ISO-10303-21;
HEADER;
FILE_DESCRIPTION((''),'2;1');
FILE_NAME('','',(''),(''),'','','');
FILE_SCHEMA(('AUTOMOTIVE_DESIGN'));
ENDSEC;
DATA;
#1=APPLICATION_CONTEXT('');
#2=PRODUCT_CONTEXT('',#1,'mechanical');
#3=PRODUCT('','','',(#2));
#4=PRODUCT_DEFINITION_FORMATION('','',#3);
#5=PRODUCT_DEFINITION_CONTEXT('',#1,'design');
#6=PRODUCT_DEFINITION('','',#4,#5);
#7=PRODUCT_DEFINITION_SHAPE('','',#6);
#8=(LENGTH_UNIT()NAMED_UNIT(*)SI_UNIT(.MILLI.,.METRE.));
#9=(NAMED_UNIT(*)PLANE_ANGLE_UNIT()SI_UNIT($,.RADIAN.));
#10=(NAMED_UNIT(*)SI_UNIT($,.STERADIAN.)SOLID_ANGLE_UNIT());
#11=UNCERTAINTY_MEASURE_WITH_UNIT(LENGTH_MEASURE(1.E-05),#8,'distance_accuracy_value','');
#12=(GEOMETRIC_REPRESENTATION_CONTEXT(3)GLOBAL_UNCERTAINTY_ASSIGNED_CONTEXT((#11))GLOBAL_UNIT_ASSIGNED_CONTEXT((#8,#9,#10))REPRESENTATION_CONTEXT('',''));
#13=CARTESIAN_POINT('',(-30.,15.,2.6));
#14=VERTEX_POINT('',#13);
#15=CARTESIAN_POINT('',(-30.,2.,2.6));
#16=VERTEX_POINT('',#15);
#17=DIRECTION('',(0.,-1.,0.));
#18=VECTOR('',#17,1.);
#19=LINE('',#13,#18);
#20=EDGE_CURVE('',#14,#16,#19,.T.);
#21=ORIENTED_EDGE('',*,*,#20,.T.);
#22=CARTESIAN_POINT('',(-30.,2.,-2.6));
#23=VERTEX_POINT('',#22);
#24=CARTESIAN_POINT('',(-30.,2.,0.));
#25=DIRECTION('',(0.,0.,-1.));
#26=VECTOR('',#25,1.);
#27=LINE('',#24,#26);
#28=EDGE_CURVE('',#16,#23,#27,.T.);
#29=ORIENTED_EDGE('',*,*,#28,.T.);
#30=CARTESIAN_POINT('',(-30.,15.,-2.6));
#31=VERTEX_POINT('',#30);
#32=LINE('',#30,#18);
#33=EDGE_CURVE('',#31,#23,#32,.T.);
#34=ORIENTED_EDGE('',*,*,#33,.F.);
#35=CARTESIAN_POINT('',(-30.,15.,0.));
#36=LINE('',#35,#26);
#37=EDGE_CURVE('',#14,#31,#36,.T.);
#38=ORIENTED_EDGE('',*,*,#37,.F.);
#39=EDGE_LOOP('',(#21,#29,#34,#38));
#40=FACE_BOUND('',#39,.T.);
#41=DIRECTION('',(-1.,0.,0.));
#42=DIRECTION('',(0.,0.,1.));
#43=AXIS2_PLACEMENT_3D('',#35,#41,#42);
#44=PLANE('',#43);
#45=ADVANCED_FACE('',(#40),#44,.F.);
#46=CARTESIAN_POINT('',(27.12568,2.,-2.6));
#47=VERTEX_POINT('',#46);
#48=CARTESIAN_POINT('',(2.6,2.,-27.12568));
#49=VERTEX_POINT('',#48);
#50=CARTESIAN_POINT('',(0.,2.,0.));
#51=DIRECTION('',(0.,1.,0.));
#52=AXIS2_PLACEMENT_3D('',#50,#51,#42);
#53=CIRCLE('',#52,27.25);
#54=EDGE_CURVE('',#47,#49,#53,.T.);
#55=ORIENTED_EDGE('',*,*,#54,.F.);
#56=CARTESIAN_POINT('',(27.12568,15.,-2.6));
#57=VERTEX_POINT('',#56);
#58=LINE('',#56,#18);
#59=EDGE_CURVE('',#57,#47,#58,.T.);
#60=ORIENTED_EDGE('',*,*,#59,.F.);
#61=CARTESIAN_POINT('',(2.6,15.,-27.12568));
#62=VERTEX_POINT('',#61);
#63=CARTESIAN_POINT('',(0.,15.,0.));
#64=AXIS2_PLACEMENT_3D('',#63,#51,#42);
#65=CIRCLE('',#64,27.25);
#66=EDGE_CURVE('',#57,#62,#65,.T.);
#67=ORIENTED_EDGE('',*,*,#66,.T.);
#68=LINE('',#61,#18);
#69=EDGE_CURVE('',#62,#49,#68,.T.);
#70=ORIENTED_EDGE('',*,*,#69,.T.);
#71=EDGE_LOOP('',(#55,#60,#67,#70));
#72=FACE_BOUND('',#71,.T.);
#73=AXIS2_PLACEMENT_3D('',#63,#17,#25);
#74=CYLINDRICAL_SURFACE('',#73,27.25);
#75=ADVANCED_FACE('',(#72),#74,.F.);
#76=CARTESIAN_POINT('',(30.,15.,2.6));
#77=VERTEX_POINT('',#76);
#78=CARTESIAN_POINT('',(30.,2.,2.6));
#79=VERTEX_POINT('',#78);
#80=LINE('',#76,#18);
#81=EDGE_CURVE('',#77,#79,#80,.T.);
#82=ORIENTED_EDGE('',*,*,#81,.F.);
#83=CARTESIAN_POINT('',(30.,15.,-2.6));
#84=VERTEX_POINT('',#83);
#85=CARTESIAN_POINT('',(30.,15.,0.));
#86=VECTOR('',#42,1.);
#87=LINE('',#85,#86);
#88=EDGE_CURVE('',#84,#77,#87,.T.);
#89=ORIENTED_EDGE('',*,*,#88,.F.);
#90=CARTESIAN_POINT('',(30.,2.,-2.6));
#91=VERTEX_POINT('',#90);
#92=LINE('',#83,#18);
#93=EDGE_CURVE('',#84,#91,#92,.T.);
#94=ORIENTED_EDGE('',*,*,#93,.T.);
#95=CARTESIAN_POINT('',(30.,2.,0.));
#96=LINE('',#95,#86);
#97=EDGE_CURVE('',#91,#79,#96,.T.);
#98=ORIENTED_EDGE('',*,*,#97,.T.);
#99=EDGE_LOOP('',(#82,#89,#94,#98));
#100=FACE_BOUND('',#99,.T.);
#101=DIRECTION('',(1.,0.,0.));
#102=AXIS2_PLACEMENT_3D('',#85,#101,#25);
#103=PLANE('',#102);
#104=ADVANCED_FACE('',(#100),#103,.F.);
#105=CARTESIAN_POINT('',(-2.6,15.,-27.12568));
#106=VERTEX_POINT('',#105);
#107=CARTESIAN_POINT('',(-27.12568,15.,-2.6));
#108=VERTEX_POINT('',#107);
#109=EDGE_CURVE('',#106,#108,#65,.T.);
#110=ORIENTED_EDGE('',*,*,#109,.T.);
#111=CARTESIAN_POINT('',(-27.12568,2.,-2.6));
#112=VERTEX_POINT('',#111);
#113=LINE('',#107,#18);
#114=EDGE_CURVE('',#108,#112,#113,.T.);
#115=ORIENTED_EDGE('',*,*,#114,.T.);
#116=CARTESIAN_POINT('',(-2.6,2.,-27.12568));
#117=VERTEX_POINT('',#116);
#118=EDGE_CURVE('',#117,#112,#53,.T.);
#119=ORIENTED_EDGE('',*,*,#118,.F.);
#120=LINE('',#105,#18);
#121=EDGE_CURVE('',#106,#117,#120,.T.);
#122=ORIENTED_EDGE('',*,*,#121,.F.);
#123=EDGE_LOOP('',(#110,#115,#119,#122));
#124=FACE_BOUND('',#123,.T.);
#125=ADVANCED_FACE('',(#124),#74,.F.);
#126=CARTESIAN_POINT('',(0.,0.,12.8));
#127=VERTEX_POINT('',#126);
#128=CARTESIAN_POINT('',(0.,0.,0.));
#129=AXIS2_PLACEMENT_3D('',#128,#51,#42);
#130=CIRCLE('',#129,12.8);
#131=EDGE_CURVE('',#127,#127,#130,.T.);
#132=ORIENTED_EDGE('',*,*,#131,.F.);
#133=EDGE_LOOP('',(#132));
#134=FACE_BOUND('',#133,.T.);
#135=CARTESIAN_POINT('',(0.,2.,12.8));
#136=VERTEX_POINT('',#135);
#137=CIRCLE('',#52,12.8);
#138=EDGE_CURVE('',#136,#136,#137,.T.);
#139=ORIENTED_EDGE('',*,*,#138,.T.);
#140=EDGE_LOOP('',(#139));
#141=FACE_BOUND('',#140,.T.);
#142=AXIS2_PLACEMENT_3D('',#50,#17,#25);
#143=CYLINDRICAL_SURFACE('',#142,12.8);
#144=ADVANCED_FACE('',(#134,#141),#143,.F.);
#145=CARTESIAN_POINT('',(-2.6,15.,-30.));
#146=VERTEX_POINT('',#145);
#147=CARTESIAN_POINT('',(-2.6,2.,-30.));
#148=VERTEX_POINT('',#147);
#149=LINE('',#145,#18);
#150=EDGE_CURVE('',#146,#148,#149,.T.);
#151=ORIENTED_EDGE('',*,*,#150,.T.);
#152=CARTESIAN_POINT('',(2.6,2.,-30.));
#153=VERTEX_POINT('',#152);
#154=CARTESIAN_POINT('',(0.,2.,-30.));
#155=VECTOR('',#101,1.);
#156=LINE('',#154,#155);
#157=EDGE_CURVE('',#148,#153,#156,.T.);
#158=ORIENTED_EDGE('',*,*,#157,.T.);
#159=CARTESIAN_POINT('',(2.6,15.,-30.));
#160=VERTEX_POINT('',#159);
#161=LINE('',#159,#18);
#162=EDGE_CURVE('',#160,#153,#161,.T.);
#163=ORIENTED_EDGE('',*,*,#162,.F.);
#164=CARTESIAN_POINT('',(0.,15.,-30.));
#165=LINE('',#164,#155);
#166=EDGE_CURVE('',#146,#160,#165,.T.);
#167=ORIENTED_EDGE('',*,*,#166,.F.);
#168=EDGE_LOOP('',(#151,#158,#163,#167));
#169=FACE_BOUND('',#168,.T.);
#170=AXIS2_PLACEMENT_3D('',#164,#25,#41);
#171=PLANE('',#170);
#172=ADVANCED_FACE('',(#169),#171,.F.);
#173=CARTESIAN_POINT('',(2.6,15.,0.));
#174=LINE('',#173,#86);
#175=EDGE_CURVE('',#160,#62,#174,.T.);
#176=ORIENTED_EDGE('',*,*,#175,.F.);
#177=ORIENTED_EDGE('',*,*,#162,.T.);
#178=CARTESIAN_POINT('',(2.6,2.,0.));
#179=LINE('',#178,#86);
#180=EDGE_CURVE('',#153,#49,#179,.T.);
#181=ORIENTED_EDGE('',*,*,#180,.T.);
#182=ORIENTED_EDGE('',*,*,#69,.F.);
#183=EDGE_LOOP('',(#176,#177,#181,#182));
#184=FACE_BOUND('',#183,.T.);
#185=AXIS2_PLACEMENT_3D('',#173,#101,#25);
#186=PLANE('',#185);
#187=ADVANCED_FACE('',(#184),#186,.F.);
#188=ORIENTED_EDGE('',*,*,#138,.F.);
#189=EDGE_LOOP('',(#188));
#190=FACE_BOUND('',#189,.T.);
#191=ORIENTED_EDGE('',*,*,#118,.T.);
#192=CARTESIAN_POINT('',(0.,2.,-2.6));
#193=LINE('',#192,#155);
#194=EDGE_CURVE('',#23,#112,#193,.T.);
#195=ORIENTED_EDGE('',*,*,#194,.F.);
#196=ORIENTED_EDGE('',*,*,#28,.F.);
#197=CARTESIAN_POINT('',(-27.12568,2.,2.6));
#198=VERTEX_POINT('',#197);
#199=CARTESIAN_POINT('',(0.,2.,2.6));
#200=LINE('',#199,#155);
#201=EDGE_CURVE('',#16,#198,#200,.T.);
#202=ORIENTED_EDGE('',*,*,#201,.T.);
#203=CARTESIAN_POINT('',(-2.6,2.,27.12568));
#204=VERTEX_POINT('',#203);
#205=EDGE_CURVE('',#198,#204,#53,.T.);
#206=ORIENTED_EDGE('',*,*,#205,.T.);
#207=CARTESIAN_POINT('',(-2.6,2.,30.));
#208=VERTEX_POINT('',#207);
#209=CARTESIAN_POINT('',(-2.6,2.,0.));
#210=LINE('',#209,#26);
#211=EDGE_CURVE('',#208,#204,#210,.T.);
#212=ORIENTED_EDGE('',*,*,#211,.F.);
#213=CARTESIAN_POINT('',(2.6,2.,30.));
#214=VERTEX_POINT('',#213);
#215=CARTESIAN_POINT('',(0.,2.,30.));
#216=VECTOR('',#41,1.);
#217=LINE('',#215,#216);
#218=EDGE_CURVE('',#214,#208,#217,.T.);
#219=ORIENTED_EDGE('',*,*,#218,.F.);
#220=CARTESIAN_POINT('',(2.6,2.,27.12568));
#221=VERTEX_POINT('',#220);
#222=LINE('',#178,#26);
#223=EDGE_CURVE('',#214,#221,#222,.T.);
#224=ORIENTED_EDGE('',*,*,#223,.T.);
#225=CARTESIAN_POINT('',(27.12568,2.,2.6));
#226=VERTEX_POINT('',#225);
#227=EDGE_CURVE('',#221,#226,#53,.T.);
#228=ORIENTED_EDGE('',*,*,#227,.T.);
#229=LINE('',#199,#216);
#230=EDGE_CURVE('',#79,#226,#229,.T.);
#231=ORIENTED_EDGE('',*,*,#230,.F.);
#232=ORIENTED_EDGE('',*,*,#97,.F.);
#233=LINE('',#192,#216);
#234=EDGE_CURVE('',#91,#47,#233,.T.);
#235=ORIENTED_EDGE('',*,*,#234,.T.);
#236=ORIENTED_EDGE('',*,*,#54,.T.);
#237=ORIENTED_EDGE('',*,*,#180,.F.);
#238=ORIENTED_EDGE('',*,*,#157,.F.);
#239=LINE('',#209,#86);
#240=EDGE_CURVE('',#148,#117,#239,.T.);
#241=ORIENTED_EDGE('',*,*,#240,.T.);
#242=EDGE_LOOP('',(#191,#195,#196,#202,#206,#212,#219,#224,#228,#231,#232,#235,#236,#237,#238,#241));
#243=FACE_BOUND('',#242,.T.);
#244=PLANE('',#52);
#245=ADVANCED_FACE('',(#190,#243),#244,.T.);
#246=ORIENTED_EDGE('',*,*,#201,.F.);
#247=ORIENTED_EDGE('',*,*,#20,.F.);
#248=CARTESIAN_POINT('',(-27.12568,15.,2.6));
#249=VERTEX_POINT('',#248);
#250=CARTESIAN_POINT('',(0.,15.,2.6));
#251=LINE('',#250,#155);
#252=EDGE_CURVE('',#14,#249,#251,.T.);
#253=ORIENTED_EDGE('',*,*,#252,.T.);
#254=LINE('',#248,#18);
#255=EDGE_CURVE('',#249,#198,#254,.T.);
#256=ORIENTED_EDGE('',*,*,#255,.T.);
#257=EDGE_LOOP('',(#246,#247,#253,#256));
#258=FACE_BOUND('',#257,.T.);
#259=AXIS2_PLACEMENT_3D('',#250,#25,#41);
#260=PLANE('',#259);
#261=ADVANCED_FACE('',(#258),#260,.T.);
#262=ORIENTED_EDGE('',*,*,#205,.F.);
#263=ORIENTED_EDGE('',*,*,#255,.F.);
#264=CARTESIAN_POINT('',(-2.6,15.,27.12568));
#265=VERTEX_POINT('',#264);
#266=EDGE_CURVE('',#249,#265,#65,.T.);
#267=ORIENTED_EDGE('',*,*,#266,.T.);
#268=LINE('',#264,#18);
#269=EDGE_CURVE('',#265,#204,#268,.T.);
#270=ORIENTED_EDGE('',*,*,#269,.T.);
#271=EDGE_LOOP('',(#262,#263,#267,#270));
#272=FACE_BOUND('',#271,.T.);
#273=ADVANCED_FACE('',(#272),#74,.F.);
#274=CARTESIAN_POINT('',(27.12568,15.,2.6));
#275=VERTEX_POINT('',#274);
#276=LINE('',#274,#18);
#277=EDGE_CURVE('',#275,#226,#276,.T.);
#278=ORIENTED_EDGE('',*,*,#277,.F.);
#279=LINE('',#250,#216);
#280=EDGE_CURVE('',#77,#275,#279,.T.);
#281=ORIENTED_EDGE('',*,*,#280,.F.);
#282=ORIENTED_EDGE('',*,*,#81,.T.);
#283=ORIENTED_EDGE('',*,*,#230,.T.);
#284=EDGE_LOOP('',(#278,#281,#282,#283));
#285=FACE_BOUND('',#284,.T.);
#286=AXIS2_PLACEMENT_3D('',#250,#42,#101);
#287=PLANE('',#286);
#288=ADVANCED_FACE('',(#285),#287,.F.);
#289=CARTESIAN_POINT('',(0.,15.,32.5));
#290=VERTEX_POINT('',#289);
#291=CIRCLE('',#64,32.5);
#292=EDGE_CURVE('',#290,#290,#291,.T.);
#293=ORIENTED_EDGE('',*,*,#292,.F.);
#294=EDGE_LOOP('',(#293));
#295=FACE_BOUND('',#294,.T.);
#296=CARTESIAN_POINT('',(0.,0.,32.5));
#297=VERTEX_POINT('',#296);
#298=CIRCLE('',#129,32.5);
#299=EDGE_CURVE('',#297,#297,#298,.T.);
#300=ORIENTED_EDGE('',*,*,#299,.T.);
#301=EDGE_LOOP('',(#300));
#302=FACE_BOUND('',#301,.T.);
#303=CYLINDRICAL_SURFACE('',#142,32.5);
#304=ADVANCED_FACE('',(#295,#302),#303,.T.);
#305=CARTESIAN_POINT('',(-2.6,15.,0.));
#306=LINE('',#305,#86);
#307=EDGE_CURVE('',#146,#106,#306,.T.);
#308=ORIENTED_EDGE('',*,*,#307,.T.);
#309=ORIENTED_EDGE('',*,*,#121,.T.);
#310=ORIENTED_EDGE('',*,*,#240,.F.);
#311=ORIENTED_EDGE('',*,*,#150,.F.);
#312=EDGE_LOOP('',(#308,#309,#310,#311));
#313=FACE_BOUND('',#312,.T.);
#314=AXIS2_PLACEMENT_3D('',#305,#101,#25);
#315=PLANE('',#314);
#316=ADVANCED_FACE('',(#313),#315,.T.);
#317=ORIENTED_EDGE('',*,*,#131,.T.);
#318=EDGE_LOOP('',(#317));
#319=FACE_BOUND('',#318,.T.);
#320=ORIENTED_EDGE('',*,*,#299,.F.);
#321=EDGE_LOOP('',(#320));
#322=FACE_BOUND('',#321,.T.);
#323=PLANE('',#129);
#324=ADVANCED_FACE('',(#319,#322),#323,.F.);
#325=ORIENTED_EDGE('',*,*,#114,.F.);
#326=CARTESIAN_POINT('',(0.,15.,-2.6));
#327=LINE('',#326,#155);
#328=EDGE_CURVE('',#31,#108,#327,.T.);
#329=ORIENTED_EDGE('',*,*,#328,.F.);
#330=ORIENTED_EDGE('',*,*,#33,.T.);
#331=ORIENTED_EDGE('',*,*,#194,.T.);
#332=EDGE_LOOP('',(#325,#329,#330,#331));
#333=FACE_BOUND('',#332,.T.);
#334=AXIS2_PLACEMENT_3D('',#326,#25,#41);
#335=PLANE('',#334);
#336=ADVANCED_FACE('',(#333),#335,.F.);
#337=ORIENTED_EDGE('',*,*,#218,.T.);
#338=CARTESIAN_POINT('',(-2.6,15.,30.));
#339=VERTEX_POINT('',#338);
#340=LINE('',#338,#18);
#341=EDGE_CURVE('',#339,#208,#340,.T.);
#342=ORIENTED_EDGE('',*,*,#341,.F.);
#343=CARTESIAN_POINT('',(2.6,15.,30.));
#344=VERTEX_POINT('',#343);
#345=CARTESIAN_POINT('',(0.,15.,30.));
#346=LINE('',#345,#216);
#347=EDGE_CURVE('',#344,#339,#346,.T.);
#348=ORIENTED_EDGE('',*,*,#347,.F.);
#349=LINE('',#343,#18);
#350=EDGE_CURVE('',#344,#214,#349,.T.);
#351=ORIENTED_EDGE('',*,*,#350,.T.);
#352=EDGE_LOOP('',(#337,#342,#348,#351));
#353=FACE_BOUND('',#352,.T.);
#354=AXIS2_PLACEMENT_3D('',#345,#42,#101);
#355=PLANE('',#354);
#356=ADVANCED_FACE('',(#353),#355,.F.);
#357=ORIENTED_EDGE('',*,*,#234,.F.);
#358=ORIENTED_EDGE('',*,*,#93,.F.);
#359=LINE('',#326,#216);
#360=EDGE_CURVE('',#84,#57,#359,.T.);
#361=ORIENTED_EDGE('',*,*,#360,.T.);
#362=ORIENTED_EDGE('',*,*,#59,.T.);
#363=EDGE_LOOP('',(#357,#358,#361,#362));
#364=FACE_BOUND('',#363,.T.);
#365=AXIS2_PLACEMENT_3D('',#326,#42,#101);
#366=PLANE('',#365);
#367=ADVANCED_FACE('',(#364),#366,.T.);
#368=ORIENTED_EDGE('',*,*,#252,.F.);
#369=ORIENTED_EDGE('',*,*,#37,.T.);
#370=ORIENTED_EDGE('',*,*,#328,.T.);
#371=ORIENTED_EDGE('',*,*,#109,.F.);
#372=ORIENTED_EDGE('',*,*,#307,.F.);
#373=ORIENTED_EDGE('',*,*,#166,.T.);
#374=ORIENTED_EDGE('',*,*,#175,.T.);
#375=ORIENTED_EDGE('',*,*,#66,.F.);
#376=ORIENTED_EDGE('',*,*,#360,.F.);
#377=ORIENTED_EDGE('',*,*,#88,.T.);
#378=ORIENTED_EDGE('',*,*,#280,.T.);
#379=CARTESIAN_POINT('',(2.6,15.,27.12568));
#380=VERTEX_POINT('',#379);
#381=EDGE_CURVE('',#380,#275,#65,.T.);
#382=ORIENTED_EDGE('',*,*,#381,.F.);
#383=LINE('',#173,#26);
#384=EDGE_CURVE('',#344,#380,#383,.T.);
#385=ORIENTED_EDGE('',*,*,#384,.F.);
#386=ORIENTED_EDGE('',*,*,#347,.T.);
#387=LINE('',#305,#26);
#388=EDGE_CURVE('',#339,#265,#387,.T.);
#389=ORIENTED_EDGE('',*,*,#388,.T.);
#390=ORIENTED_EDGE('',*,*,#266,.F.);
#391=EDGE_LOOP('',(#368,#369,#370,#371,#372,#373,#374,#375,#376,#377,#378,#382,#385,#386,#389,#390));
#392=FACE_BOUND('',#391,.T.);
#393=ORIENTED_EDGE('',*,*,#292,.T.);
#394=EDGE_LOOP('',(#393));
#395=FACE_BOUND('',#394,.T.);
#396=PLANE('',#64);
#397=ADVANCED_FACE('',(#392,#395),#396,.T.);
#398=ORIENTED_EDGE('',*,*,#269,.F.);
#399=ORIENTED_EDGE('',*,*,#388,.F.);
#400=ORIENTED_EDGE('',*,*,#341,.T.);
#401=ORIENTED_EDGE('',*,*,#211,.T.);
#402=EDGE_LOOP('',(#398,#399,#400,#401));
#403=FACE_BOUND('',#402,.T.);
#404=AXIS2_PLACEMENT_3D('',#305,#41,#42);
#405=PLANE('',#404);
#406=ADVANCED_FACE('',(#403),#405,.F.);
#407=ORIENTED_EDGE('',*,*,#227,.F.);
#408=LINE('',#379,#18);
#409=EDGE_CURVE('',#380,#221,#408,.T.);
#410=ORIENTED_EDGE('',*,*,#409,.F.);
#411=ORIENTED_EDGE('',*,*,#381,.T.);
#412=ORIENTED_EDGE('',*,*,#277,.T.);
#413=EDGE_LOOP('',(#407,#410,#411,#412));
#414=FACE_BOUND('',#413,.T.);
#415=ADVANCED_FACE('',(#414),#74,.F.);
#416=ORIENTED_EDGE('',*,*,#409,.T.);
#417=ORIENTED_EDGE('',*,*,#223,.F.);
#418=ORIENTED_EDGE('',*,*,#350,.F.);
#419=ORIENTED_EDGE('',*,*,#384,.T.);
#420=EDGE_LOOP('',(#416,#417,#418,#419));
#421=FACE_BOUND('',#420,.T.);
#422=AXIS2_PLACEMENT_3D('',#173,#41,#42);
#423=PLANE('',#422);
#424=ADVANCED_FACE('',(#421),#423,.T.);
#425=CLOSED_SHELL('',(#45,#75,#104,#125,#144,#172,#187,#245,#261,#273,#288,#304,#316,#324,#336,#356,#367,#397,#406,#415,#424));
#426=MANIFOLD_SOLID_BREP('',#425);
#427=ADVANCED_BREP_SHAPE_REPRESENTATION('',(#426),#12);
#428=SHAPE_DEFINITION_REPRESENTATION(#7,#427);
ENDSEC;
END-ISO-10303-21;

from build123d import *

# Parameters (mm, degrees)
SKETCH1_R           = 32.5
SKETCH1_R_2         = 12.8
BOSS_EXTRUDE1_DEPTH = 2
SKETCH2_R           = 32.5
BOSS_EXTRUDE2_DEPTH = 13


with BuildPart() as part:
    # Sketch1 → Boss-Extrude1 (new body)
    with BuildSketch(Plane(origin=(0, 0, 0), x_dir=(1, 0, 0), z_dir=(0, 1, 0))):
        with Locations(Location((0, 0, 0), (0, 0, 270))):
            Circle(SKETCH1_R)
        with Locations(Location((0, 0, 0), (0, 0, 270))):
            Circle(SKETCH1_R_2, mode=Mode.SUBTRACT)
    extrude(amount=BOSS_EXTRUDE1_DEPTH)

    # Sketch2 → Boss-Extrude2 (add)
    with BuildSketch(Plane(origin=(0, 2, 0), x_dir=(1, 0, 0), z_dir=(0, 1, 0))):
        with Locations(Location((0, 0, 0), (0, 0, 270))):
            Circle(SKETCH2_R)
        with BuildLine():
            Line((2.6, -27.125679715), (2.6, -30))
            Line((2.6, -30), (-2.6, -30))
            Line((-2.6, -30), (-2.6, -27.125679715))
            ThreePointArc((-2.6, -27.125679715), (-19.268659787, -19.268659787), (-27.125679715, -2.6))
            Line((-27.125679715, -2.6), (-30, -2.6))
            Line((-30, -2.6), (-30, 2.6))
            Line((-30, 2.6), (-27.125679715, 2.6))
            ThreePointArc((-27.125679715, 2.6), (-19.268659787, 19.268659787), (-2.6, 27.125679715))
            Line((-2.6, 27.125679715), (-2.6, 30))
            Line((-2.6, 30), (2.6, 30))
            Line((2.6, 30), (2.6, 27.125679715))
            ThreePointArc((2.6, 27.125679715), (19.268659787, 19.268659787), (27.125679715, 2.6))
            Line((27.125679715, 2.6), (30, 2.6))
            Line((30, 2.6), (30, -2.6))
            Line((30, -2.6), (27.125679715, -2.6))
            ThreePointArc((27.125679715, -2.6), (19.268659787, -19.268659787), (2.6, -27.125679715))
        make_face(mode=Mode.SUBTRACT)
    extrude(amount=BOSS_EXTRUDE2_DEPTH)


solid = part.part
